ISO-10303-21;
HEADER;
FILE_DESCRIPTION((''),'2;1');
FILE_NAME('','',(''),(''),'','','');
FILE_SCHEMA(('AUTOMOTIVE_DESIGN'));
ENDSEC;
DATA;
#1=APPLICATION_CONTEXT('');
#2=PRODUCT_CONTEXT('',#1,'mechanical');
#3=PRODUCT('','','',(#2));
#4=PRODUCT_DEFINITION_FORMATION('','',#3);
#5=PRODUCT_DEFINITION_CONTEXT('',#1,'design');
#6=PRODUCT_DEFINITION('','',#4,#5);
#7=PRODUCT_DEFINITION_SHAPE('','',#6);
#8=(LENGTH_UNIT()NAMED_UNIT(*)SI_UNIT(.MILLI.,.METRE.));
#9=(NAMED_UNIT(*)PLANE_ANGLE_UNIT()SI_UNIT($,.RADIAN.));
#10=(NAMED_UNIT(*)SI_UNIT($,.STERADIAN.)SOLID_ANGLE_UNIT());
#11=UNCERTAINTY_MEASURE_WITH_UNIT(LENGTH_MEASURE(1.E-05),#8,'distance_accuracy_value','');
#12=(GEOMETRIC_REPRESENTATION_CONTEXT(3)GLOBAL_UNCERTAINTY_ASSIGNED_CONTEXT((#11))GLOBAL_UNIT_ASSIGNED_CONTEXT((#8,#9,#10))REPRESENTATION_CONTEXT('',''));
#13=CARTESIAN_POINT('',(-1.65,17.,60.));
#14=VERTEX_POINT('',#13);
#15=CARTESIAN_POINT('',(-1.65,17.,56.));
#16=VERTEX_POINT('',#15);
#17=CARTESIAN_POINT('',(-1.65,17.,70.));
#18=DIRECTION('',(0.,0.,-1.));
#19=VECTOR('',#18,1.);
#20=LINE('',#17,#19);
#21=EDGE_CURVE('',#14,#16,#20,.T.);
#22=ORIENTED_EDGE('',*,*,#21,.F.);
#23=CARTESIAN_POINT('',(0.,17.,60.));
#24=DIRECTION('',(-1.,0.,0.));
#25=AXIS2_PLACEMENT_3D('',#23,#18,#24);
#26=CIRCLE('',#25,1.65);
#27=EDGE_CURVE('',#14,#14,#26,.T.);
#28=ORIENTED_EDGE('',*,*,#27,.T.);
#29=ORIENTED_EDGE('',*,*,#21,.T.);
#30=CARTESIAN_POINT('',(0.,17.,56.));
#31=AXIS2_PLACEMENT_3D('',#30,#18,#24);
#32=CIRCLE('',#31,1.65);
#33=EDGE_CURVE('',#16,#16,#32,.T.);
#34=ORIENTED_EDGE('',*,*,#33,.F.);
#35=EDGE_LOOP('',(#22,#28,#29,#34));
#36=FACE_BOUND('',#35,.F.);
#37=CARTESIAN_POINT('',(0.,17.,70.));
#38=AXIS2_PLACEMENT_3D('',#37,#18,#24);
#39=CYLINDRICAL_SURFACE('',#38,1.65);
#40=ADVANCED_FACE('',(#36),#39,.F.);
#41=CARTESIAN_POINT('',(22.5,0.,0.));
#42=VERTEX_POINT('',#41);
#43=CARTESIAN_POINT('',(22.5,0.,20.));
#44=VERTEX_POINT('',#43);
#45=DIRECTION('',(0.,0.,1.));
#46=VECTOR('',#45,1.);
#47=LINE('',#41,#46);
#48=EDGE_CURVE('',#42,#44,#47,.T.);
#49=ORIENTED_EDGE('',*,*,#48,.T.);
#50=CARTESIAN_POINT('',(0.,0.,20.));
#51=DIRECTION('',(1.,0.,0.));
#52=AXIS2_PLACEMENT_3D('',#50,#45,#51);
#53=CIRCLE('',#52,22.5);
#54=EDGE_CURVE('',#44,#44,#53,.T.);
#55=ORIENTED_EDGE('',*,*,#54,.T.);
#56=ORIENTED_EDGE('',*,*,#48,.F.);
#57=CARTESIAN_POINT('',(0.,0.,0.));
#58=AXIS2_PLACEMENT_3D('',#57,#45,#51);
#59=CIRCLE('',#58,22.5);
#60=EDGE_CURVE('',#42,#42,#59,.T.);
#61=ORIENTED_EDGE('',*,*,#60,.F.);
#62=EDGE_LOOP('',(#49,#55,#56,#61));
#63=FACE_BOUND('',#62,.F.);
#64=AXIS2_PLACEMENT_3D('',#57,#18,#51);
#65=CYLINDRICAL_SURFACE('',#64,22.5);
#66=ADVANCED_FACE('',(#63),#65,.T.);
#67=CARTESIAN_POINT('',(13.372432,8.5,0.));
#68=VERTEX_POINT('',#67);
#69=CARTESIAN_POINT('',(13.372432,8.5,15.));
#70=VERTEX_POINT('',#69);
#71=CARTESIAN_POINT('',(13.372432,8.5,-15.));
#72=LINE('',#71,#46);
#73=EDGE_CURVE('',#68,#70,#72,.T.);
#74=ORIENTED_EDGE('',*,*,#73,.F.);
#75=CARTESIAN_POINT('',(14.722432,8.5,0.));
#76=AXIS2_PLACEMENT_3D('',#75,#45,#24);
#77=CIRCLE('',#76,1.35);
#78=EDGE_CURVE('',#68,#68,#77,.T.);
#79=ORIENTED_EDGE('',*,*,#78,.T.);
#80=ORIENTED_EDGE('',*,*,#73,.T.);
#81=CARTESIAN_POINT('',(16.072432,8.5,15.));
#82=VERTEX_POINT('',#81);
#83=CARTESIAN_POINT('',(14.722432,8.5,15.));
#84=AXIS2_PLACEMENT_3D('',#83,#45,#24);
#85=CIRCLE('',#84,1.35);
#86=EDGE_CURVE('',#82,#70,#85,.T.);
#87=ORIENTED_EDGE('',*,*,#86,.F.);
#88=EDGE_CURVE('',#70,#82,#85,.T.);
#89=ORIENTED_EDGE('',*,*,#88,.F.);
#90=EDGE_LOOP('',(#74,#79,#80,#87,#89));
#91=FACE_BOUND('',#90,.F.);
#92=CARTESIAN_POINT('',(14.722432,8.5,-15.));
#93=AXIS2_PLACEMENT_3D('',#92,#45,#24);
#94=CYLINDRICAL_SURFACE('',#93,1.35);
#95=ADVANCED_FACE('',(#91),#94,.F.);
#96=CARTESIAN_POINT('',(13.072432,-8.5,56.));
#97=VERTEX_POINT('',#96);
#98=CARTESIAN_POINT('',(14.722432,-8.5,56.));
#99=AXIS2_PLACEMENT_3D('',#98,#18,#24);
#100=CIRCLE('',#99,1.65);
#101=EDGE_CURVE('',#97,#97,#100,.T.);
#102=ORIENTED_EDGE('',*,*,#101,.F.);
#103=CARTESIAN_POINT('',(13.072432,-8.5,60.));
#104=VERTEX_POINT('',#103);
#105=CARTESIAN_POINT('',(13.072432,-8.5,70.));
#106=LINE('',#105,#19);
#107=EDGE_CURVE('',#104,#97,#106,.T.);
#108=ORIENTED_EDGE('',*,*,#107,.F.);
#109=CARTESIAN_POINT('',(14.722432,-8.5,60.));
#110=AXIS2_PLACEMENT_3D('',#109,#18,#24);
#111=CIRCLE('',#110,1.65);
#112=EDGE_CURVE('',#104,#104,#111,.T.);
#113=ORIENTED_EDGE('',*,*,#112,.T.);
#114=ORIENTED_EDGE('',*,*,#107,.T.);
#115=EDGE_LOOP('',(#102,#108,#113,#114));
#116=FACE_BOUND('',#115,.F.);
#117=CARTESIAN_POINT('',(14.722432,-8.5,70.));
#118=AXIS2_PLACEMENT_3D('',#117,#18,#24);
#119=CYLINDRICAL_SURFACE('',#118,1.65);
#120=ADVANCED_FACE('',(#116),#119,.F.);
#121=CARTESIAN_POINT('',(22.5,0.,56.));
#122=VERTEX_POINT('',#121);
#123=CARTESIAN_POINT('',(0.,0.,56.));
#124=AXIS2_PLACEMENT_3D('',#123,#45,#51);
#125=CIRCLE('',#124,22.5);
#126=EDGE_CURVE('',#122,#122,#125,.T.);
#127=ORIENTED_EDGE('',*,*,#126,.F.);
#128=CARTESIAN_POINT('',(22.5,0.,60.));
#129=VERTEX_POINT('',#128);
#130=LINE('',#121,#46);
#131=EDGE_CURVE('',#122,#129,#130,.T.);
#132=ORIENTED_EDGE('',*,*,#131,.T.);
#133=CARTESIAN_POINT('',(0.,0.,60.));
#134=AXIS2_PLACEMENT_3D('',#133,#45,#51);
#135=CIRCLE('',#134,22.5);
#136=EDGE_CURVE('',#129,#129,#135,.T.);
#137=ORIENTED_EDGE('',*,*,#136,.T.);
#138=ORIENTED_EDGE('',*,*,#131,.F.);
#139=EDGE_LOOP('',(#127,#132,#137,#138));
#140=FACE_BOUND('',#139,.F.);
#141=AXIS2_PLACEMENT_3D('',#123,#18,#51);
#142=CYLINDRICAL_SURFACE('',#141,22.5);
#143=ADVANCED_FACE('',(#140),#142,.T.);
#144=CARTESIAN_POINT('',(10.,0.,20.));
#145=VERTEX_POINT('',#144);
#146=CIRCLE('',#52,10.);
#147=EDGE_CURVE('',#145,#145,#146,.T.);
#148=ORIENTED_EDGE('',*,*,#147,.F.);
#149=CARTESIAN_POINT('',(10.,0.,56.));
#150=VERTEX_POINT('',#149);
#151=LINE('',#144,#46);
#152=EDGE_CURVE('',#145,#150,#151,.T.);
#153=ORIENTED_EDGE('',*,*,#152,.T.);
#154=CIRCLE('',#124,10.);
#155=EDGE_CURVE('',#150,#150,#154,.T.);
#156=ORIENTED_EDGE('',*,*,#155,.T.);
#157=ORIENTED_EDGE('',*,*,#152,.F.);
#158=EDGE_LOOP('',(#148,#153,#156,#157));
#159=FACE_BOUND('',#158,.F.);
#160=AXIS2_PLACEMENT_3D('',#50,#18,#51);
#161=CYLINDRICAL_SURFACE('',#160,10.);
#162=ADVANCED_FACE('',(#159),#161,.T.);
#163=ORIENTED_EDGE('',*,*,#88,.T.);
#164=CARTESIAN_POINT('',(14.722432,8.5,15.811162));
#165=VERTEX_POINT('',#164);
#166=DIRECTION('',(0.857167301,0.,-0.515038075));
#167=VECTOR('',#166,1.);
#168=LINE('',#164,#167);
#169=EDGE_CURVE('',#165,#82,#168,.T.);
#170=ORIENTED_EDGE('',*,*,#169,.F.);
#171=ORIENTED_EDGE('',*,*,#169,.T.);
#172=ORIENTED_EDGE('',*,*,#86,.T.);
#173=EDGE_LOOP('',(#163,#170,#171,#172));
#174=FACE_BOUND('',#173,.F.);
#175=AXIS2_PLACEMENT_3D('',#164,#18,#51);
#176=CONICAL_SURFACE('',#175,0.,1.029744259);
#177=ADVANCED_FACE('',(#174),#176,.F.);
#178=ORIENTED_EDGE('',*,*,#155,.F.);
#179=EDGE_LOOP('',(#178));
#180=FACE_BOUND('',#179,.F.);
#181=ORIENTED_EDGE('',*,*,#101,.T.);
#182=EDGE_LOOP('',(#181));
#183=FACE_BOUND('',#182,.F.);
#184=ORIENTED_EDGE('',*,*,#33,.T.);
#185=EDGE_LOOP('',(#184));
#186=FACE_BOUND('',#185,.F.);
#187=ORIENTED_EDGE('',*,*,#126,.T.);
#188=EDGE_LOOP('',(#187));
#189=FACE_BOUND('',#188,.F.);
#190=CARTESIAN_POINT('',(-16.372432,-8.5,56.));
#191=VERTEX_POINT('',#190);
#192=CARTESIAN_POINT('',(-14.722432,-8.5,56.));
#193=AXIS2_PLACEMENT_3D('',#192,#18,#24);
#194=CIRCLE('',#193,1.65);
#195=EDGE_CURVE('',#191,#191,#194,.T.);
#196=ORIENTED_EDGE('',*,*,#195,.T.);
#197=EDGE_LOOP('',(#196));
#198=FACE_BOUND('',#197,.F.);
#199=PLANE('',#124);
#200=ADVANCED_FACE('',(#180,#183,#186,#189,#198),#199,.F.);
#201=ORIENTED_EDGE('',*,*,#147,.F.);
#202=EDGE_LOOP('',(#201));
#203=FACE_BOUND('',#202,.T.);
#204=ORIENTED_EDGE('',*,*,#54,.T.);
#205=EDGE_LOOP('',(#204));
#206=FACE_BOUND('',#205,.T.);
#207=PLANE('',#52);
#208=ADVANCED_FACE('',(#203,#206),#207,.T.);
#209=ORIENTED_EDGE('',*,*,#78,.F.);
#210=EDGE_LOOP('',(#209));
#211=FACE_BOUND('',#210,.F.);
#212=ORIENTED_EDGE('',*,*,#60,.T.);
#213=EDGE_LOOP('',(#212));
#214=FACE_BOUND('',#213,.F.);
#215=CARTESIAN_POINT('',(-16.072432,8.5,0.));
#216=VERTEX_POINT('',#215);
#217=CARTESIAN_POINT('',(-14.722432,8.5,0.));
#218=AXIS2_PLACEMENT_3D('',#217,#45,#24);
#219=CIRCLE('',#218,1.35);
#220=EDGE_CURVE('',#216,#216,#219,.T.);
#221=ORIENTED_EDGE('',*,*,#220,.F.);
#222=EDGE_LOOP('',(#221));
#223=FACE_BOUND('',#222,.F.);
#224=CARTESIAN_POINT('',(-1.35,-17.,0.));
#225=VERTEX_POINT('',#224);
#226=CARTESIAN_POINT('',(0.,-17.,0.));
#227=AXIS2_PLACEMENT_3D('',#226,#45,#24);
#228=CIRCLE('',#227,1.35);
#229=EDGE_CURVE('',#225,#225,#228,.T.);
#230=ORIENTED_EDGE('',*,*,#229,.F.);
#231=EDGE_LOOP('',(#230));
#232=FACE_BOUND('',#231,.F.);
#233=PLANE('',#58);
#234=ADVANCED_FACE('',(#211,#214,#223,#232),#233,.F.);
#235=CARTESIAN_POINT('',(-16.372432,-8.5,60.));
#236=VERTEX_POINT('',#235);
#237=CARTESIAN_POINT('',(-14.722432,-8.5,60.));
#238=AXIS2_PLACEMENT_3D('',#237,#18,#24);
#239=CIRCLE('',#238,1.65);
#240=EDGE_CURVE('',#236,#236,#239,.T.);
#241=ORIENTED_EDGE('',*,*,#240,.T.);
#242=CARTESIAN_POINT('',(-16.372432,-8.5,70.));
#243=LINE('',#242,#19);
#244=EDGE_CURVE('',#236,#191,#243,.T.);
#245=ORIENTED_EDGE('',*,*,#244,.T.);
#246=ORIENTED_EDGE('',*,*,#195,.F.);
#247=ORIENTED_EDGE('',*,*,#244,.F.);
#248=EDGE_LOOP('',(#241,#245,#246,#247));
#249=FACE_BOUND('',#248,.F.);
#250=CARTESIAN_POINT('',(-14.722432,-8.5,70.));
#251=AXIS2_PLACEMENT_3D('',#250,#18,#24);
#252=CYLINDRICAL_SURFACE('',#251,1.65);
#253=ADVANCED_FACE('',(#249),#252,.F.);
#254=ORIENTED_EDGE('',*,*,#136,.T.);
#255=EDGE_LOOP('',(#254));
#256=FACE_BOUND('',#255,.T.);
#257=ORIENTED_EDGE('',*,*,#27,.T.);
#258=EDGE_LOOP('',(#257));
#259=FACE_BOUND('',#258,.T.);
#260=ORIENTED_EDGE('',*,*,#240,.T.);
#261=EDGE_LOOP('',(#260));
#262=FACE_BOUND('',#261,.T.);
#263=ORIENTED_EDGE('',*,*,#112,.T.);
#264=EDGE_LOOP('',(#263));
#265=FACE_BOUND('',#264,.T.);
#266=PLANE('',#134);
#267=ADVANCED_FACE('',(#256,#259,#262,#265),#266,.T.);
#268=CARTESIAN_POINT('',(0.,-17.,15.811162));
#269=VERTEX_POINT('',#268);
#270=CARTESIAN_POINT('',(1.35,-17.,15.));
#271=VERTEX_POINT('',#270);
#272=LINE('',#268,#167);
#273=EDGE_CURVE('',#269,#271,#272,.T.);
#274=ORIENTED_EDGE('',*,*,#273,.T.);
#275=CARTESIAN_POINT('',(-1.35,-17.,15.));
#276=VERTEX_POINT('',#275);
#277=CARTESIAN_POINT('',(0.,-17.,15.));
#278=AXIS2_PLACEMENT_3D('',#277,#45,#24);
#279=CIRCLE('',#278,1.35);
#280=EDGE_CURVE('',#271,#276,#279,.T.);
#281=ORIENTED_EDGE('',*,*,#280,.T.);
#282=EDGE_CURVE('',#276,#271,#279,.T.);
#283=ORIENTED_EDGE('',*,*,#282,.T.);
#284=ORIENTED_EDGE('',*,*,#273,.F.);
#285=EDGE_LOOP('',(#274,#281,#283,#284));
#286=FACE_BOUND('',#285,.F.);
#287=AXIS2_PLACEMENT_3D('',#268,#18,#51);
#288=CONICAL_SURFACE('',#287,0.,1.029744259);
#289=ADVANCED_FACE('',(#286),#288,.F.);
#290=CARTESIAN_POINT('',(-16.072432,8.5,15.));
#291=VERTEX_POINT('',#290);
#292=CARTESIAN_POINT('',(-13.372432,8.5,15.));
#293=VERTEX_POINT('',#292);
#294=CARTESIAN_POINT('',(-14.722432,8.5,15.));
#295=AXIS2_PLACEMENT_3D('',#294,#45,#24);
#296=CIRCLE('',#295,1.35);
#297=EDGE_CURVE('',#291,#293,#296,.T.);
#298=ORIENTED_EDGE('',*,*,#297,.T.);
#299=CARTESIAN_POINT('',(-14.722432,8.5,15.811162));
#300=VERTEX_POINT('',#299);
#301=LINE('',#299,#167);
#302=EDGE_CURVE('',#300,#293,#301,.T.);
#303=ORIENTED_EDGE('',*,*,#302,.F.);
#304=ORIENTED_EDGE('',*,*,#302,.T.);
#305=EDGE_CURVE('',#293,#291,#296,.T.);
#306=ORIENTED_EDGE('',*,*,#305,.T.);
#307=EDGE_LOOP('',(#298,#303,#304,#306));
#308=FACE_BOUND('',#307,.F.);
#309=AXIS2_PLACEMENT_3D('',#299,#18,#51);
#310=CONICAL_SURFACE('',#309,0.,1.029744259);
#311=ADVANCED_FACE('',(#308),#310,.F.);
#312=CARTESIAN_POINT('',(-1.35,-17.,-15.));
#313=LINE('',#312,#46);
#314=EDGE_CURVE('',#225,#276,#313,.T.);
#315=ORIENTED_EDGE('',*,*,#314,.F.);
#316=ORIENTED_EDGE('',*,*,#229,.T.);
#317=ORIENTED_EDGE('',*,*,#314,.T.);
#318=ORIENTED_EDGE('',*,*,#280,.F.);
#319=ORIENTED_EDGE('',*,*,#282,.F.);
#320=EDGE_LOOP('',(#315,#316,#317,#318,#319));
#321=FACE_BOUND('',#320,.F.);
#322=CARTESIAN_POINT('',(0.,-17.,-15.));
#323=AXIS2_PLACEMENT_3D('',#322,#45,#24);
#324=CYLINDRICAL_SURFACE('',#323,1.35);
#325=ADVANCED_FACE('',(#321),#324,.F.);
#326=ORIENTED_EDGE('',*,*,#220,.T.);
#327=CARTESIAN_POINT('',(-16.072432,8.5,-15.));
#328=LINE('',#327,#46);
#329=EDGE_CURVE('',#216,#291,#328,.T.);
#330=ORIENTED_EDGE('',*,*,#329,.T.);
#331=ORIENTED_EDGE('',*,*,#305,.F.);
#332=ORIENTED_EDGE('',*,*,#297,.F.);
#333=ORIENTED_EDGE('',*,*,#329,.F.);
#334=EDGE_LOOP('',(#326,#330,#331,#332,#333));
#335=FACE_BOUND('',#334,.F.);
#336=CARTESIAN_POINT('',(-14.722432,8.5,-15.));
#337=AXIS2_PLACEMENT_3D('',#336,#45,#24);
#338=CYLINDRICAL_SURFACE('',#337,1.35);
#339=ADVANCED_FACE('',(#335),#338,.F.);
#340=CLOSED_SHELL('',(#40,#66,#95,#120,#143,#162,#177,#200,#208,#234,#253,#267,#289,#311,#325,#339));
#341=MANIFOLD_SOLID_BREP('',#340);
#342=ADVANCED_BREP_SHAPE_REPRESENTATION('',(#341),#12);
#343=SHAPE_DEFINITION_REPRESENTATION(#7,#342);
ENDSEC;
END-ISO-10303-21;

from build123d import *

# Parameters (mm, degrees)
F1_DEPTH = 20
F2_R     = 10
F3_DEPTH = 36
F4_R     = 22.5
F4_R_2   = 10
F5_DEPTH = 4
F7_D     = 3.3
F7_DEPTH = 10
F7_TIP   = 0.9914200214
F9_D     = 2.7
F9_DEPTH = 15
F9_TIP   = 0.8111618357


with BuildPart() as f1:
    # F0 (on Top) → F1 (new body)
    with BuildSketch(Plane.XY):
        with BuildLine():
            ThreePointArc((-22.5, 0), (0, -22.5), (22.5, 0))
            ThreePointArc((22.5, 0), (0, 22.5), (-22.5, 0))
        make_face()
    extrude(amount=F1_DEPTH)

    # F2 (on face) → F3 (join)
    with BuildSketch(Plane.XY.offset(20)):
        Circle(F2_R)
    extrude(amount=F3_DEPTH)

    # F4 (on face) → F5 (join)
    with BuildSketch(Plane.XY.offset(56)):
        Circle(F4_R)
        Circle(F4_R_2, mode=Mode.SUBTRACT)
        Circle(F4_R_2)
    extrude(amount=F5_DEPTH)

    # F7
    with Locations(Plane.XY.offset(60)):
        with Locations((0, 17), (14.7224318643, -8.5), (-14.7224318643, -8.5)):
            Hole(F7_D / 2, depth=F7_DEPTH)
            with Locations((0, 0, -(F7_DEPTH + F7_TIP / 2))):  # 118° drill point
                Cone(0, F7_D / 2, F7_TIP, mode=Mode.SUBTRACT)

    # F9
    with Locations(Plane(origin=(0, 0, 0), x_dir=(1, 0, 0), z_dir=(0, 0, -1))):
        with Locations((14.7224318643, -8.5), (-14.7224318643, -8.5), (0, 17)):
            Hole(F9_D / 2, depth=F9_DEPTH)
            with Locations((0, 0, -(F9_DEPTH + F9_TIP / 2))):  # 118° drill point
                Cone(0, F9_D / 2, F9_TIP, mode=Mode.SUBTRACT)


solid = f1.part
